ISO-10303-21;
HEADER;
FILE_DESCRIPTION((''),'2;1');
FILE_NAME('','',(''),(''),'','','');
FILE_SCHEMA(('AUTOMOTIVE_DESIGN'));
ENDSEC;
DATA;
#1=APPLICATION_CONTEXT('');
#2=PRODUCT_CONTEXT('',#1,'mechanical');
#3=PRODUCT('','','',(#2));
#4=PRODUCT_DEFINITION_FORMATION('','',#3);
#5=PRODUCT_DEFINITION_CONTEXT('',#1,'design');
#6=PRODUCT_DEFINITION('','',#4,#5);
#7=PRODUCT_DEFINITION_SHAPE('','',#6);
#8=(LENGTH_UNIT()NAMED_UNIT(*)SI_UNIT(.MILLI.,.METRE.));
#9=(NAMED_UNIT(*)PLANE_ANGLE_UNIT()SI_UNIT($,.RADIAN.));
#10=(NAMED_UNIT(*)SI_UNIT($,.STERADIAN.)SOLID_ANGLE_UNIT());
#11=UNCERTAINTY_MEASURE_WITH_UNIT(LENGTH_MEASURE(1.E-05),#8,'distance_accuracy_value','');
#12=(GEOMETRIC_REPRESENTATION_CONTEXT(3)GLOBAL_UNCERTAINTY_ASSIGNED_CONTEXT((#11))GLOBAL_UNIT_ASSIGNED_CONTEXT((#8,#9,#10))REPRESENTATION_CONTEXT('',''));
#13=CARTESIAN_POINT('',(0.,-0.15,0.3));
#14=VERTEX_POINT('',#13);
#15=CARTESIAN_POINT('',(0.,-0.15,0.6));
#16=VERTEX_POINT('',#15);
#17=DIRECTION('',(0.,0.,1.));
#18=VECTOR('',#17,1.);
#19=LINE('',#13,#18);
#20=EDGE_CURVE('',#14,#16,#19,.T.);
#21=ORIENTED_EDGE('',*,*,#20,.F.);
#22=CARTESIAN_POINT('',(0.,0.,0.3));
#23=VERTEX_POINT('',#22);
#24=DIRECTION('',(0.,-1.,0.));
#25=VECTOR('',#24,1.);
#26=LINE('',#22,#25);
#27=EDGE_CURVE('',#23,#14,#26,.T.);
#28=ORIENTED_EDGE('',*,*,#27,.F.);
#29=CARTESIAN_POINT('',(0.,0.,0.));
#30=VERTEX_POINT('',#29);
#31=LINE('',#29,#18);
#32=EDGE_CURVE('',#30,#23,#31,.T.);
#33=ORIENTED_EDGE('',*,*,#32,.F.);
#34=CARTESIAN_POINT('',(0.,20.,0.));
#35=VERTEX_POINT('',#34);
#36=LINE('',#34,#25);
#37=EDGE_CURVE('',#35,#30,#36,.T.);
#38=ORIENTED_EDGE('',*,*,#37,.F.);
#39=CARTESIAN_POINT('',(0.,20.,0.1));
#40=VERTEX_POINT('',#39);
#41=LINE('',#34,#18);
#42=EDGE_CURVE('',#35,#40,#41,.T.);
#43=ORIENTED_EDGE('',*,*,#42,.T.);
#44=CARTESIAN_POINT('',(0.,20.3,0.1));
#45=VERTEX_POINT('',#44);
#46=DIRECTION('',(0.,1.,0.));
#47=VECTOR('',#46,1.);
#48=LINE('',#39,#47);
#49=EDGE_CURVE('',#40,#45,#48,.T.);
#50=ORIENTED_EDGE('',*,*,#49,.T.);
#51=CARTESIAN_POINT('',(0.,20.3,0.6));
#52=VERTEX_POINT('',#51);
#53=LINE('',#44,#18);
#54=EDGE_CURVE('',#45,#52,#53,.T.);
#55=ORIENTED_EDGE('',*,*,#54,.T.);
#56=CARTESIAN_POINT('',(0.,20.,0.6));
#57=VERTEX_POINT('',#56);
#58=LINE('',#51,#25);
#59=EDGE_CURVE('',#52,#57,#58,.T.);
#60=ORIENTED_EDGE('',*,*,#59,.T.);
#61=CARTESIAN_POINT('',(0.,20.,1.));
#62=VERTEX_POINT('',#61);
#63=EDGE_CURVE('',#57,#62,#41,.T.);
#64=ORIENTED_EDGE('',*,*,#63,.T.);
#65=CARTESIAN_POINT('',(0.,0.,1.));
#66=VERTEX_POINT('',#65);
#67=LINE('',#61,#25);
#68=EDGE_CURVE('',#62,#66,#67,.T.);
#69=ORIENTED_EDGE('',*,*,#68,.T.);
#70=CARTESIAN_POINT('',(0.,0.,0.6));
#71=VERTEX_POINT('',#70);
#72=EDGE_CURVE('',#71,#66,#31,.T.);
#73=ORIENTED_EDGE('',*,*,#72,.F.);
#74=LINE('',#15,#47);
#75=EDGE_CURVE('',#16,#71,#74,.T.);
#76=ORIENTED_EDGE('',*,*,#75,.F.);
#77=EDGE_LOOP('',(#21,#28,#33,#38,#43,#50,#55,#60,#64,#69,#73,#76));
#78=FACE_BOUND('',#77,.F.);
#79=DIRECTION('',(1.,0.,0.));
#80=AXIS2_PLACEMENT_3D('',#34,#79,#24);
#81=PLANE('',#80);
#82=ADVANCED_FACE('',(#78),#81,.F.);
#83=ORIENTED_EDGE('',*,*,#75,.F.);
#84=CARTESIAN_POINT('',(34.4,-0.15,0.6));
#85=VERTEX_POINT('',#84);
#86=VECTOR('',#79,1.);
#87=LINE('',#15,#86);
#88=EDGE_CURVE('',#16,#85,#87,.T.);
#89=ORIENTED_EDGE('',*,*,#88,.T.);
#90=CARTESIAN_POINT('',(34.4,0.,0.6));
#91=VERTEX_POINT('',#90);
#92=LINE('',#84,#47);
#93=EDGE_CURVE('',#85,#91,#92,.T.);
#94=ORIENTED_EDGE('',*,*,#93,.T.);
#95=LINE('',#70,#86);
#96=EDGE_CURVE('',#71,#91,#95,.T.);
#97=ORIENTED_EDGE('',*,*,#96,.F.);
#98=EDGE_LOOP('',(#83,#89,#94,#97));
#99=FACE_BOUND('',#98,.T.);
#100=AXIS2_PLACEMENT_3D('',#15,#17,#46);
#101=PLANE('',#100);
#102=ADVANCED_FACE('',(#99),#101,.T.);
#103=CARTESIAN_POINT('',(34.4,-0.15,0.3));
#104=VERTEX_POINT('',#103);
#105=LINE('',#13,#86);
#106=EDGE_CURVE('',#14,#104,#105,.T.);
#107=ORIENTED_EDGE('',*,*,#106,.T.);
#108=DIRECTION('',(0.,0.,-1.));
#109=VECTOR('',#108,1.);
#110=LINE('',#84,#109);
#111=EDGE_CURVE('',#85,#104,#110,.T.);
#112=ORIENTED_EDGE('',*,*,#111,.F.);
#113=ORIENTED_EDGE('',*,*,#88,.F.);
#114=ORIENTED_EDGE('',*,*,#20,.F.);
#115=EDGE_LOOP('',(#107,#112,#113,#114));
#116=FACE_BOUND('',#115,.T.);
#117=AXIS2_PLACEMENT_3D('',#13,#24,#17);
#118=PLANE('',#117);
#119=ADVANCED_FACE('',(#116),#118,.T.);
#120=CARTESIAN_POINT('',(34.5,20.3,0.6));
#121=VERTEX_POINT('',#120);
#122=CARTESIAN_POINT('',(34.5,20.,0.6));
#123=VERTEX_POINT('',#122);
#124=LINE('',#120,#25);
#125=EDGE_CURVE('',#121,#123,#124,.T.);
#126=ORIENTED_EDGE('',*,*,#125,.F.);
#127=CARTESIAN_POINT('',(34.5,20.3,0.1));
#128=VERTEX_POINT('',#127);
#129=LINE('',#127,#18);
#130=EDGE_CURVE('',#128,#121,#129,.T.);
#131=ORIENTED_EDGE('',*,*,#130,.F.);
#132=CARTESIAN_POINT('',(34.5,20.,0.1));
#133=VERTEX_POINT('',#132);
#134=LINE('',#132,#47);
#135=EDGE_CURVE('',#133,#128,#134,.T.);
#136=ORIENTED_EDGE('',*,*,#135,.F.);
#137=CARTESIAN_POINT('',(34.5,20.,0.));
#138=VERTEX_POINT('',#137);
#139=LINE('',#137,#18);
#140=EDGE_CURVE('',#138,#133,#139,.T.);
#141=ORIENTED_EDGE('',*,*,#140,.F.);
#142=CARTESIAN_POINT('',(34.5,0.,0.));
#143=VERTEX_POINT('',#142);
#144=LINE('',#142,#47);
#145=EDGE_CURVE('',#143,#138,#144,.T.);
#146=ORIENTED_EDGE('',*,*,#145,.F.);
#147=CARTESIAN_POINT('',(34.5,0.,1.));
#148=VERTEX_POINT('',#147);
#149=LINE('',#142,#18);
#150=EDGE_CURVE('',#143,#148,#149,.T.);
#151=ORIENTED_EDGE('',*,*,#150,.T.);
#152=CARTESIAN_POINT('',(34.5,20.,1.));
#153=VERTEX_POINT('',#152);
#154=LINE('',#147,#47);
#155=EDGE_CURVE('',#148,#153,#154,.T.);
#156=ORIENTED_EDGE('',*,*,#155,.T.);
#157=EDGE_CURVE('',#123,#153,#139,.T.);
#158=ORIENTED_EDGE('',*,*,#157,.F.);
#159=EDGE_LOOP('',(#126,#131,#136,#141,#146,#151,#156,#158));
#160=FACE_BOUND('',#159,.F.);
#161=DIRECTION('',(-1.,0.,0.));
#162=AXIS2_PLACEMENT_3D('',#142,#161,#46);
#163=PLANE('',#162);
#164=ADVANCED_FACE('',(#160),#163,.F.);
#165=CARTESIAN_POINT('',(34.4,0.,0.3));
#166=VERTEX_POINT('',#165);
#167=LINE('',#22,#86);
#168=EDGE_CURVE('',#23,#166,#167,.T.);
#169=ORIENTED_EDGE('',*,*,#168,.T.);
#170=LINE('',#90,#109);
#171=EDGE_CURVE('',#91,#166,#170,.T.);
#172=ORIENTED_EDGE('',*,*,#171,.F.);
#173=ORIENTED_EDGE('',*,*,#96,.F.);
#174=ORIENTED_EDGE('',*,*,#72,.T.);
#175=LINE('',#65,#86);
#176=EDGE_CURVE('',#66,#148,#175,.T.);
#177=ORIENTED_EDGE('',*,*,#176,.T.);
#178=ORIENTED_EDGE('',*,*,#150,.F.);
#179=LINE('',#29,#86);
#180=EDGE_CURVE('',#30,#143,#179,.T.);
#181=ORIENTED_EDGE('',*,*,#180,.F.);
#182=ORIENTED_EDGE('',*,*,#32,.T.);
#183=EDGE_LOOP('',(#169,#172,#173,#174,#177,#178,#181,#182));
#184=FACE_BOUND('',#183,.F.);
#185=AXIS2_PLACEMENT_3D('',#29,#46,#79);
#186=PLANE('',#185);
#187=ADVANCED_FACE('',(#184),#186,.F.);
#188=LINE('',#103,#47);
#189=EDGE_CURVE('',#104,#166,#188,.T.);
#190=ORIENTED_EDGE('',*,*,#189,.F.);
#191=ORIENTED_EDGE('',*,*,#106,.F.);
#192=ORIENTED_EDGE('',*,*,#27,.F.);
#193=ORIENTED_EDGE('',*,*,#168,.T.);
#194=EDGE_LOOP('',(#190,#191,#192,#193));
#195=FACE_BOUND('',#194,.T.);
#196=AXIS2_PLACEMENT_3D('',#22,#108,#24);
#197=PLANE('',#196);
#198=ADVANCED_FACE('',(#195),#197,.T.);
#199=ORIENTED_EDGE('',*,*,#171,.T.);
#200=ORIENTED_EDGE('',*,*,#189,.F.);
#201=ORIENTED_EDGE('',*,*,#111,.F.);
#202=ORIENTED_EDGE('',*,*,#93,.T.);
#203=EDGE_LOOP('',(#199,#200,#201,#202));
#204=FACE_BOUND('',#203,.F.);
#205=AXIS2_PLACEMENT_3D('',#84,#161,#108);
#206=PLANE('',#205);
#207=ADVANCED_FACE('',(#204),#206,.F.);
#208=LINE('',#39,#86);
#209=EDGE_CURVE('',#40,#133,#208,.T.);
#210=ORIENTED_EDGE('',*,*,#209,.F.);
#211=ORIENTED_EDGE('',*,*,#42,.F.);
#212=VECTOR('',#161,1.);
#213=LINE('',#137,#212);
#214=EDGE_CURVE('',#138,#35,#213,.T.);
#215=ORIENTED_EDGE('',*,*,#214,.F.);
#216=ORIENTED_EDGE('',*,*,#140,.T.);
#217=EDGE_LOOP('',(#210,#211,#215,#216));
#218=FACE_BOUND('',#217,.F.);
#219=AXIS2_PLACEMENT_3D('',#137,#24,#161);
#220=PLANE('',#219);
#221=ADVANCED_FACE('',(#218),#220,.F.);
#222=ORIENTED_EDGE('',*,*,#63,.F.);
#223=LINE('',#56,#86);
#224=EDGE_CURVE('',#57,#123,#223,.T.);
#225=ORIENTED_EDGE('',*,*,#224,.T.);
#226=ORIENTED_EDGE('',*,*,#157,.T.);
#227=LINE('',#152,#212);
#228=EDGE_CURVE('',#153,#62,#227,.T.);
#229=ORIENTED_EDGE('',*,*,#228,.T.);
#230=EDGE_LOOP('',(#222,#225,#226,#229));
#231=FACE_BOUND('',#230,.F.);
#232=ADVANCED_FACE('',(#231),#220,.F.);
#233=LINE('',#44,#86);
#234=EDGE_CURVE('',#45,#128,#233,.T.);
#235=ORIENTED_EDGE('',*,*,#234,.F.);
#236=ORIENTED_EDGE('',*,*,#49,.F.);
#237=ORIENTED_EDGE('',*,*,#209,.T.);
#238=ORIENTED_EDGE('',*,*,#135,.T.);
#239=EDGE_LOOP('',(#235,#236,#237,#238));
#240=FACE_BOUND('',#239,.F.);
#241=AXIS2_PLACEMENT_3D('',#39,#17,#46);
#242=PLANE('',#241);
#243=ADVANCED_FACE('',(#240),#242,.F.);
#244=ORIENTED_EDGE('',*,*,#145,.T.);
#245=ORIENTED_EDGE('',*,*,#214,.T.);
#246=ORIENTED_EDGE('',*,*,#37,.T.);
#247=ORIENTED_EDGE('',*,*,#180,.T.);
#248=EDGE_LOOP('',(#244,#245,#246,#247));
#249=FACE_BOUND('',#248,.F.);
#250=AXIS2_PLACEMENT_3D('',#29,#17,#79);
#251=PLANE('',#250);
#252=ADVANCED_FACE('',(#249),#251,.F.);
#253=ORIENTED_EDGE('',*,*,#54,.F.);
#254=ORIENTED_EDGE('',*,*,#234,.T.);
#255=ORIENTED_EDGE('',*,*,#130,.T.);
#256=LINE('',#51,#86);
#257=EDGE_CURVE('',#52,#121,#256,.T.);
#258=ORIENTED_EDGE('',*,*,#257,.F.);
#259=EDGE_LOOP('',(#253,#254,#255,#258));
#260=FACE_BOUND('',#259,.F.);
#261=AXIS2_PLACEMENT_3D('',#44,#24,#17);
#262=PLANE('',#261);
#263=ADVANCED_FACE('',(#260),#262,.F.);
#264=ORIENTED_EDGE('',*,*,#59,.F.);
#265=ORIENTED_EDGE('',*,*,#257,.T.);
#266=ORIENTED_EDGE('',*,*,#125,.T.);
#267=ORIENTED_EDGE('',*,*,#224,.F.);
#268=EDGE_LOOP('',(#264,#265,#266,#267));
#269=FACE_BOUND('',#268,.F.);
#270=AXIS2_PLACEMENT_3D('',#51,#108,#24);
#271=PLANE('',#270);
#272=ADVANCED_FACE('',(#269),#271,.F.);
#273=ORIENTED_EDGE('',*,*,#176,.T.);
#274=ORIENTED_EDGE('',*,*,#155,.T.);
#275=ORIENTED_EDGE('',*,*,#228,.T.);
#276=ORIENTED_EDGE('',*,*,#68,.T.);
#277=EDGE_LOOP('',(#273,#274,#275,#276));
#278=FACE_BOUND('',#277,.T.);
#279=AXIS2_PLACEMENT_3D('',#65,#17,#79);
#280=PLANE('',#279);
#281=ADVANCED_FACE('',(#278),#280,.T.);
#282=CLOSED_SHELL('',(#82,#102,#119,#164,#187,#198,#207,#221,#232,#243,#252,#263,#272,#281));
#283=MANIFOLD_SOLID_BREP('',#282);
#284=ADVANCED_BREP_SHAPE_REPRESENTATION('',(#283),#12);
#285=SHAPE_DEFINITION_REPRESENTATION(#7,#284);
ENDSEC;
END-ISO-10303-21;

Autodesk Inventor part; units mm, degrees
ref_plane "YZ Plane" through (0, 0, 0) normal (1, 0, 0) x (0, 1, 0)
ref_plane "XZ Plane" through (0, 0, 0) normal (0, 1, 0) x (-1, 0, 0)
ref_plane "XY Plane" through (0, 0, 0) normal (0, 0, 1) x (1, 0, 0)
sketch "Sketch1" plane through (0, 0, 0) normal (0, 0, 1) x (1, 0, 0)
  line L0 (0, 0) -> (34.5, 0)
  line L1 (34.5, 0) -> (34.5, 20)
  line L2 (34.5, 20) -> (0, 20)
  line L3 (0, 20) -> (0, 0)
  dimension "d0" = 34.5
  dimension "d1" = 20
extrude "Extrusion1" add sketch "Sketch1" along normal blind 1
sketch "Sketch2" plane through (0, 0, 0) normal (-1, 0, 0) x (0, 0, 1)
  line L0 (1, 20) -> (1, 0) projected
  line L1 (0, 20) -> (1, 20) projected
  line L2 (0.6, 20) -> (0.1, 20)
  line L3 (0.1, 20) -> (0.1, 20.3)
  line L4 (0.1, 20.3) -> (0.6, 20.3)
  line L5 (0.6, 20.3) -> (0.6, 20)
  line L6 (0, 0) -> (1, 0) projected
  line L7 (0.6, 0) -> (0.3, 0)
  line L8 (0.3, 0) -> (0.3, -0.15)
  line L9 (0.3, -0.15) -> (0.6, -0.15)
  line L10 (0.6, -0.15) -> (0.6, 0)
  dimension "d4" = 0.5
  dimension "d5" = 0.3
  dimension "d6" = 0.4
  dimension "d7" = 0.15
extrude "Extrusion2" add sketch "Sketch2" against normal blind 34.5
sketch "Sketch3" plane through (0, -0.15, 0.3) normal (0, -1, 0) x (1, 0, 0)
  line L0 (0, 0.3) -> (34.5, 0.3) projected
  line L1 (34.5, 0) -> (0, 0) projected
  line L2 (34.5, 0.3) -> (34.4, 0.3)
  line L3 (34.4, 0.3) -> (34.4, 0)
  line L4 (34.4, 0) -> (34.5, 0)
  line L5 (34.5, 0) -> (34.5, 0.3)
  point P0 (0, -0.3)
  dimension "d10" = 0.1
extrude "Extrusion3" cut sketch "Sketch3" against normal blind 0.15
properties part number "Bovenkant"
